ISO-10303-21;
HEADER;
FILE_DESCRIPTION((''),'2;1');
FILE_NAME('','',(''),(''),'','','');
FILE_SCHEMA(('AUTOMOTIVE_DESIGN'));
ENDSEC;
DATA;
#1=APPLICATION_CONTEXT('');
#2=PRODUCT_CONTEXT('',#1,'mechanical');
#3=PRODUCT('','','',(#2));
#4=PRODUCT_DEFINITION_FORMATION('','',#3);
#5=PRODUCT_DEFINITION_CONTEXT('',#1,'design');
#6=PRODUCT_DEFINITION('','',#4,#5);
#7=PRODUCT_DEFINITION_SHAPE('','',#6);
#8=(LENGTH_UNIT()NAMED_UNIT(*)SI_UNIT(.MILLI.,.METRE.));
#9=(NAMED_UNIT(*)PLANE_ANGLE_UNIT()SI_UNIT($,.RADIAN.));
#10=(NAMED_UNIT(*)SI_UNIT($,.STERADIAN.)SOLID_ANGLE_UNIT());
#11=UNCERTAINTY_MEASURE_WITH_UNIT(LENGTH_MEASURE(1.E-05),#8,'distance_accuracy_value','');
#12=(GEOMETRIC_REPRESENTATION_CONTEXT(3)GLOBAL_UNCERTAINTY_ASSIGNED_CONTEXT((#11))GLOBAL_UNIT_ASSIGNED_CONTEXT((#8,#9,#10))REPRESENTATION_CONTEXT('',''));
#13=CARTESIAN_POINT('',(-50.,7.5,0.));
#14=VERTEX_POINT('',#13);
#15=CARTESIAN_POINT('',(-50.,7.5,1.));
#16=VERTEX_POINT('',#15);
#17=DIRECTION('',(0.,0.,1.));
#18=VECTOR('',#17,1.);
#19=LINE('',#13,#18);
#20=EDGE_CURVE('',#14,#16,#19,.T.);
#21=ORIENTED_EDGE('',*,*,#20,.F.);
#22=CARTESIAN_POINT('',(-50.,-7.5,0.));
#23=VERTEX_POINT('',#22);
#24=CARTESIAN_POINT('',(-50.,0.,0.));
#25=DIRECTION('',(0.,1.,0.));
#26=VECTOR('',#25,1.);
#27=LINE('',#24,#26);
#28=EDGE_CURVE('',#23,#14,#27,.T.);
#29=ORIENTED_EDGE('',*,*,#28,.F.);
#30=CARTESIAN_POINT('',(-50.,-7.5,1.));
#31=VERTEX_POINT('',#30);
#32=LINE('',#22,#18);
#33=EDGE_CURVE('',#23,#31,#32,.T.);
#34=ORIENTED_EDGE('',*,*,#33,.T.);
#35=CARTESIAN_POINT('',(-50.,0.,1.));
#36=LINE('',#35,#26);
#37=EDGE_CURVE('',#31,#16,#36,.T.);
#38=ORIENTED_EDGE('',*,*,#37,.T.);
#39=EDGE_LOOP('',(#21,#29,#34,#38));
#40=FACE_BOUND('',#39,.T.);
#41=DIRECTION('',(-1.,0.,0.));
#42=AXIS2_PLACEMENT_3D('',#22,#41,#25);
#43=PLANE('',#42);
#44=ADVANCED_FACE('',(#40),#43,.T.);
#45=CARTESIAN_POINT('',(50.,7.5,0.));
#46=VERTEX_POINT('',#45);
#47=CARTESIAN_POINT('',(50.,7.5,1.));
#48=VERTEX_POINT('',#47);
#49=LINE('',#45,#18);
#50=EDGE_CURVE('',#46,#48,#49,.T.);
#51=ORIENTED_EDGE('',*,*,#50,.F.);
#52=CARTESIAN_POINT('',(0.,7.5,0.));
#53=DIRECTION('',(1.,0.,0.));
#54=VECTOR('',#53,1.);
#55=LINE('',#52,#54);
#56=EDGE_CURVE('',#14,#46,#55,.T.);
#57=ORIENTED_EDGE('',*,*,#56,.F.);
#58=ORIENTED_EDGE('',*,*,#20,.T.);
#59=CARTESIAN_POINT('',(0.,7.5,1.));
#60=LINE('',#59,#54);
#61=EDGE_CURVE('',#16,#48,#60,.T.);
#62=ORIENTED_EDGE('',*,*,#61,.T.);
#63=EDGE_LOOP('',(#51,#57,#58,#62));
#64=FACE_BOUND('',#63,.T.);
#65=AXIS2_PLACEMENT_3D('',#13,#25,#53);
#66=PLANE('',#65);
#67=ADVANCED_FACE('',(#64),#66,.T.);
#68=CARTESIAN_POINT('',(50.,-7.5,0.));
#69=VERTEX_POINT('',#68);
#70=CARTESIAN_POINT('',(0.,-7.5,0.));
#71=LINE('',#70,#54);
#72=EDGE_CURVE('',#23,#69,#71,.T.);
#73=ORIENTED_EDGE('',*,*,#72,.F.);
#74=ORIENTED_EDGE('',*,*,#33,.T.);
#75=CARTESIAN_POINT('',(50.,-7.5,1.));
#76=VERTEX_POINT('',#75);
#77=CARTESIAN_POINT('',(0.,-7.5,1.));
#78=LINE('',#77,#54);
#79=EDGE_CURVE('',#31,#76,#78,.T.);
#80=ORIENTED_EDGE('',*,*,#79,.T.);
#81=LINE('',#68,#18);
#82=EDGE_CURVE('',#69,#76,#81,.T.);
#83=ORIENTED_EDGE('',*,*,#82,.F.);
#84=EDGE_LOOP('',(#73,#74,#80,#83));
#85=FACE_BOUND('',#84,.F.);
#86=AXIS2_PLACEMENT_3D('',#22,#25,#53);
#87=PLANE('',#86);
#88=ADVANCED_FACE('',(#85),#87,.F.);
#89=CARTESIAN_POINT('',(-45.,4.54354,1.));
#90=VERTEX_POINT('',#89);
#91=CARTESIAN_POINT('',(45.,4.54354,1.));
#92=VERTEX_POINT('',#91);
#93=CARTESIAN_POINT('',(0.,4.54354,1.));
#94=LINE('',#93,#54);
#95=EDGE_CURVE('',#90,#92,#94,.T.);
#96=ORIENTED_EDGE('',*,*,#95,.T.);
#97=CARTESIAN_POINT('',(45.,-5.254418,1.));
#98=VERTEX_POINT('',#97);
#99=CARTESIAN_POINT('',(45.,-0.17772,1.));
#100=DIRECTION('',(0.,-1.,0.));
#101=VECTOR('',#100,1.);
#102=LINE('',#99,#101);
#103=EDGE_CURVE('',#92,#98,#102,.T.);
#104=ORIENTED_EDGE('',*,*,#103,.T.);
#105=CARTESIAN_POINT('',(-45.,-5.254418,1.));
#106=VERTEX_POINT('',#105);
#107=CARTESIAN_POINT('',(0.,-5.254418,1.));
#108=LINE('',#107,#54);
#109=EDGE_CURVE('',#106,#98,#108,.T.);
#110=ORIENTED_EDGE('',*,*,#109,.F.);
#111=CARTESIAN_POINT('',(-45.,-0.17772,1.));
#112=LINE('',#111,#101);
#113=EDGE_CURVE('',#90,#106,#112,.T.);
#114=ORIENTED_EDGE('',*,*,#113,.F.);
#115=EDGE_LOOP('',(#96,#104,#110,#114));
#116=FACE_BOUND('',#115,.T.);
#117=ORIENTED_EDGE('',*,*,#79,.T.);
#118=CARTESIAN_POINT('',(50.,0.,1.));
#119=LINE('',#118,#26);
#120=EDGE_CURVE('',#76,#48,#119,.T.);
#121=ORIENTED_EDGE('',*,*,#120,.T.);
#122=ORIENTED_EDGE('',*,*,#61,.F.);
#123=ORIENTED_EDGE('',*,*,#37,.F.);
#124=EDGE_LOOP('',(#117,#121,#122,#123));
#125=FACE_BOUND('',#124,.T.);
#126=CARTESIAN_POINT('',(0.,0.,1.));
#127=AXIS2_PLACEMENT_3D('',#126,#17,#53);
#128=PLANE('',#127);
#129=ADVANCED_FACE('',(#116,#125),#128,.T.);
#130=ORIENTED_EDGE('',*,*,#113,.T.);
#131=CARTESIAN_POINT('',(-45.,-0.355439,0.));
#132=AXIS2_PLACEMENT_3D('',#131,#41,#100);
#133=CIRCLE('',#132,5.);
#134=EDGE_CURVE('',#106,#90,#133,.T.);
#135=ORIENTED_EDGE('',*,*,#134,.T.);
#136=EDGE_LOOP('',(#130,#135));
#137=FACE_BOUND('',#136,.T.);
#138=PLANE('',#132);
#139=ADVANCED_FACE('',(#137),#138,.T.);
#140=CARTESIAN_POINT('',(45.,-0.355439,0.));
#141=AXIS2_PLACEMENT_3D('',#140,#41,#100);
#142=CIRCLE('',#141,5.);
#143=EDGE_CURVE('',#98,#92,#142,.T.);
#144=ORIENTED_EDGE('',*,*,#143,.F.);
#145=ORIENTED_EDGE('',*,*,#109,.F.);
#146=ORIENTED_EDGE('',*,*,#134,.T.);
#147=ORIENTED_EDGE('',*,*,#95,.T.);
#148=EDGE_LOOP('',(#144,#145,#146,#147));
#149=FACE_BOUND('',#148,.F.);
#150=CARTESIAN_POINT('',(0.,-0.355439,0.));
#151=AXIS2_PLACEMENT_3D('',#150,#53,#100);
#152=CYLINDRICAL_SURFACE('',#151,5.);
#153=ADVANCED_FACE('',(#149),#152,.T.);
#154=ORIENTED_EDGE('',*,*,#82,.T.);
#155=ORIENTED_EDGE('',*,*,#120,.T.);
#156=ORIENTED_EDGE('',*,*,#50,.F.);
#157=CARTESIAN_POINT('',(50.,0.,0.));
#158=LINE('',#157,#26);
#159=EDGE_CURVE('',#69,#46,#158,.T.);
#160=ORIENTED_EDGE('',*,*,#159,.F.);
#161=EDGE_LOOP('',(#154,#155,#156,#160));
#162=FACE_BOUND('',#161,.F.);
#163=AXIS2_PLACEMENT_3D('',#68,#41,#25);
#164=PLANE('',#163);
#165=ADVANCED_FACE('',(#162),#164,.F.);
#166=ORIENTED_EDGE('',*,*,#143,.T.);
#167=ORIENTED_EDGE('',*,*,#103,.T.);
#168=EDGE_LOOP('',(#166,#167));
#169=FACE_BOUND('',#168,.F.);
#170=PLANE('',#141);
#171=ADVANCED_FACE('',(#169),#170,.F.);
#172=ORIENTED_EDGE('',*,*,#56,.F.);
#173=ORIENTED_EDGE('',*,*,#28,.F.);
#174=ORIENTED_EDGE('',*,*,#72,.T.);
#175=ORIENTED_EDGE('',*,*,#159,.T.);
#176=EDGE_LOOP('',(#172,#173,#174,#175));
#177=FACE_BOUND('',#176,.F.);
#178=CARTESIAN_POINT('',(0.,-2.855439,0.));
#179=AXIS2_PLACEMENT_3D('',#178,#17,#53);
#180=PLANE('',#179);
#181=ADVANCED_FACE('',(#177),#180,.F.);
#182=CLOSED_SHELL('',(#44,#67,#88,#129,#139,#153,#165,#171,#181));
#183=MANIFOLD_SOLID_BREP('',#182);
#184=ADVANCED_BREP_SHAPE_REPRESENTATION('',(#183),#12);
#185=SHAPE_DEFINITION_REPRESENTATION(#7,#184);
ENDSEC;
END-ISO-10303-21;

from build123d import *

# Parameters (mm, degrees)
F0_W     = 100
F0_H     = 15
F1_DEPTH = 1
F2_W     = 90
F2_H     = 5
F3_ANGLE = 180


with BuildPart() as f1:
    # F0 (on Top) → F1 (new body)
    with BuildSketch(Plane.XY):
        Rectangle(F0_W, F0_H)
    extrude(amount=F1_DEPTH)

    # F2 (on Top) → F3 (revolve)
    with BuildSketch(Plane.XY):
        with Locations((0, -2.855439)):
            Rectangle(F2_W, F2_H)
    revolve(axis=Axis((0, -0.355439, 0), (-1, 0, 0)), revolution_arc=F3_ANGLE)


solid = f1.part
